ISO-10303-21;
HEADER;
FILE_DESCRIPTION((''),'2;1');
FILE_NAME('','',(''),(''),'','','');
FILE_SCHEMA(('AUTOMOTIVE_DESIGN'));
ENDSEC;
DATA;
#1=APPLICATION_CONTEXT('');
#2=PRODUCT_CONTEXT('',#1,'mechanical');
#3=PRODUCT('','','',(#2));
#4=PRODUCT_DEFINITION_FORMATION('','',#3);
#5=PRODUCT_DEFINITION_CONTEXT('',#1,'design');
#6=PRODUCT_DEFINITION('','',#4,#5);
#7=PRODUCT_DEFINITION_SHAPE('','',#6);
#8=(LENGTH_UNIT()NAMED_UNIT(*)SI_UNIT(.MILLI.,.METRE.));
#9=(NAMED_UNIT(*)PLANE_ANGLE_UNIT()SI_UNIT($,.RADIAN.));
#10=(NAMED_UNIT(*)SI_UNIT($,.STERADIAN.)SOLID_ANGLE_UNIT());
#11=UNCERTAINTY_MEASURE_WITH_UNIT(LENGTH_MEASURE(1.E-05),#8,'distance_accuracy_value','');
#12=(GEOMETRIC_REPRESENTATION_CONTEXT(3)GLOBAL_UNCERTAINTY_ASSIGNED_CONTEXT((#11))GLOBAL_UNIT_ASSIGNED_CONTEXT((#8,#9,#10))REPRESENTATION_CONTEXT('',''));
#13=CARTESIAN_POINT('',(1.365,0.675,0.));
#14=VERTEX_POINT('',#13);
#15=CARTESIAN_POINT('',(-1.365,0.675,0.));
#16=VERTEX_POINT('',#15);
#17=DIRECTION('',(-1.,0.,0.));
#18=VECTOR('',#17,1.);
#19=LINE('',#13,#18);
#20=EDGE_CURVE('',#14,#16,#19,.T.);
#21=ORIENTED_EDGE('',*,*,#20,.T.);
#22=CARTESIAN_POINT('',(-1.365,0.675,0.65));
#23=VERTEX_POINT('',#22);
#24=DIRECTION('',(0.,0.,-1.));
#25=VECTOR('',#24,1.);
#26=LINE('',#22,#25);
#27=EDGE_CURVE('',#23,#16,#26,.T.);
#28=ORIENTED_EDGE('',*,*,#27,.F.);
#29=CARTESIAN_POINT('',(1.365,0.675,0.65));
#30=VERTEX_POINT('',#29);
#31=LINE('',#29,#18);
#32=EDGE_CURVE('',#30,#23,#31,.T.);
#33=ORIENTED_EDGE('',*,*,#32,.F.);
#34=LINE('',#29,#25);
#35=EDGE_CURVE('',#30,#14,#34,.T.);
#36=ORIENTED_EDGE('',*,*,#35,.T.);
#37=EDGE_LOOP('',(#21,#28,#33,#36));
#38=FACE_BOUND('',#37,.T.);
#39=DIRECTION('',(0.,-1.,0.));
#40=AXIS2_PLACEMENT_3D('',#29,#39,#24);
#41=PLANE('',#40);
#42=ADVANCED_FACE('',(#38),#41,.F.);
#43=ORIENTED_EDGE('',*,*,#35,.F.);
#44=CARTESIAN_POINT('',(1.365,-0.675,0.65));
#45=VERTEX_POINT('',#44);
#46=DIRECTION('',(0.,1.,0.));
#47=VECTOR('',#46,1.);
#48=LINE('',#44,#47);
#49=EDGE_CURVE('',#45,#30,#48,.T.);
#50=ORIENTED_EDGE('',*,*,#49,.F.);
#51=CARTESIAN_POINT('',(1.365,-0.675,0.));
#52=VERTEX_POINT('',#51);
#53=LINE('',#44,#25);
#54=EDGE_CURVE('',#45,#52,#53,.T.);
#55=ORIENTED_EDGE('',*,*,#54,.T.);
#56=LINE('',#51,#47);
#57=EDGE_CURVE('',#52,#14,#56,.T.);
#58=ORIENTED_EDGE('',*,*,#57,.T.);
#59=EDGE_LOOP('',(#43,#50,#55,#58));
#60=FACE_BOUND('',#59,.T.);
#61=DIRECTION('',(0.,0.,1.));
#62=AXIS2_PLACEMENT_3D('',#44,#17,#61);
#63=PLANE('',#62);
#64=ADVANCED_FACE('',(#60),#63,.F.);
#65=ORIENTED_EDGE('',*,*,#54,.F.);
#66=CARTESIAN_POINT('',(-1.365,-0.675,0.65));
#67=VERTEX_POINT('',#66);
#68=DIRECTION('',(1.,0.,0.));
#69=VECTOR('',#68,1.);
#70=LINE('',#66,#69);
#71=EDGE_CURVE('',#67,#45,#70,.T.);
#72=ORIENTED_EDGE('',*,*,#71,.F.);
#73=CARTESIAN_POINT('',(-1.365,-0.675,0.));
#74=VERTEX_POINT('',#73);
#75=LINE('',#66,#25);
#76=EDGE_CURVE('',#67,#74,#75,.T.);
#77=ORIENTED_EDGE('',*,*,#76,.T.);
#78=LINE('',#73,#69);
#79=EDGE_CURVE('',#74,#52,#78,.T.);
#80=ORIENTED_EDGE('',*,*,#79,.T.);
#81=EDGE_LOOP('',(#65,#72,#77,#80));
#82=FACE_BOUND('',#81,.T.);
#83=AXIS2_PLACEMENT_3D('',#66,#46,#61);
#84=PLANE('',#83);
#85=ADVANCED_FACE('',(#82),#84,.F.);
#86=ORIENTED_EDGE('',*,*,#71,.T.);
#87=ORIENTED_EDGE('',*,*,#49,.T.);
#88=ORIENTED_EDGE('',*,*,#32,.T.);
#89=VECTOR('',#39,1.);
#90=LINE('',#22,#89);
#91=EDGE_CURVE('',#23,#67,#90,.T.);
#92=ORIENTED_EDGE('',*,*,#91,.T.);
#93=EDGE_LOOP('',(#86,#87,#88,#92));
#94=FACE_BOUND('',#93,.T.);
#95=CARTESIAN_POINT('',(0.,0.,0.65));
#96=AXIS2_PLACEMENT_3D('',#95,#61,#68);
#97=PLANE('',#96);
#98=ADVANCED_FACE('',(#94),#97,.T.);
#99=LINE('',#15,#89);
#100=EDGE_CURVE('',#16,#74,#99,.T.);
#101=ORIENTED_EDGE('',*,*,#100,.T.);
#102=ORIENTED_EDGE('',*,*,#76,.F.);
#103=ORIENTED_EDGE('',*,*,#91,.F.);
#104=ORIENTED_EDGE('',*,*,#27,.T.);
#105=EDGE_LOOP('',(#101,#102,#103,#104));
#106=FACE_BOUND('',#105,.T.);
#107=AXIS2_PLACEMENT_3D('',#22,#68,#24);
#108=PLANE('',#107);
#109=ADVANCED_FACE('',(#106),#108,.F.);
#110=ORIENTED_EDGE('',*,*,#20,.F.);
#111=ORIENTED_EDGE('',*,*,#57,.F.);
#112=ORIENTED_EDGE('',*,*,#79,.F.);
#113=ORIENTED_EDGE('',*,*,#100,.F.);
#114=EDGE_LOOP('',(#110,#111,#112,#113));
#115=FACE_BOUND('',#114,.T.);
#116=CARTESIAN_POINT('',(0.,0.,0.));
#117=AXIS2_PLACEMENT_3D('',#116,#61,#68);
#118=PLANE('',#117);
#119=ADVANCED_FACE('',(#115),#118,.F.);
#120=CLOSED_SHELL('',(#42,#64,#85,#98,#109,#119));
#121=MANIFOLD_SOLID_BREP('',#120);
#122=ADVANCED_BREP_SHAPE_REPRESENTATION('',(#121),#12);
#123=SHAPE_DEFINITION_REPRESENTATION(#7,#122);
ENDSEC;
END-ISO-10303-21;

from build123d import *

# Parameters (mm, degrees)
SKETCH_1_W              = 2.73
SKETCH_1_H              = 1.35
COMPONENT_OUTLINE_DEPTH = 0.65


with BuildPart() as part:
    # 草图1 → Component_Outline (new body)
    with BuildSketch(Plane.XY):
        Rectangle(SKETCH_1_W, SKETCH_1_H)
    extrude(amount=COMPONENT_OUTLINE_DEPTH)


solid = part.part
